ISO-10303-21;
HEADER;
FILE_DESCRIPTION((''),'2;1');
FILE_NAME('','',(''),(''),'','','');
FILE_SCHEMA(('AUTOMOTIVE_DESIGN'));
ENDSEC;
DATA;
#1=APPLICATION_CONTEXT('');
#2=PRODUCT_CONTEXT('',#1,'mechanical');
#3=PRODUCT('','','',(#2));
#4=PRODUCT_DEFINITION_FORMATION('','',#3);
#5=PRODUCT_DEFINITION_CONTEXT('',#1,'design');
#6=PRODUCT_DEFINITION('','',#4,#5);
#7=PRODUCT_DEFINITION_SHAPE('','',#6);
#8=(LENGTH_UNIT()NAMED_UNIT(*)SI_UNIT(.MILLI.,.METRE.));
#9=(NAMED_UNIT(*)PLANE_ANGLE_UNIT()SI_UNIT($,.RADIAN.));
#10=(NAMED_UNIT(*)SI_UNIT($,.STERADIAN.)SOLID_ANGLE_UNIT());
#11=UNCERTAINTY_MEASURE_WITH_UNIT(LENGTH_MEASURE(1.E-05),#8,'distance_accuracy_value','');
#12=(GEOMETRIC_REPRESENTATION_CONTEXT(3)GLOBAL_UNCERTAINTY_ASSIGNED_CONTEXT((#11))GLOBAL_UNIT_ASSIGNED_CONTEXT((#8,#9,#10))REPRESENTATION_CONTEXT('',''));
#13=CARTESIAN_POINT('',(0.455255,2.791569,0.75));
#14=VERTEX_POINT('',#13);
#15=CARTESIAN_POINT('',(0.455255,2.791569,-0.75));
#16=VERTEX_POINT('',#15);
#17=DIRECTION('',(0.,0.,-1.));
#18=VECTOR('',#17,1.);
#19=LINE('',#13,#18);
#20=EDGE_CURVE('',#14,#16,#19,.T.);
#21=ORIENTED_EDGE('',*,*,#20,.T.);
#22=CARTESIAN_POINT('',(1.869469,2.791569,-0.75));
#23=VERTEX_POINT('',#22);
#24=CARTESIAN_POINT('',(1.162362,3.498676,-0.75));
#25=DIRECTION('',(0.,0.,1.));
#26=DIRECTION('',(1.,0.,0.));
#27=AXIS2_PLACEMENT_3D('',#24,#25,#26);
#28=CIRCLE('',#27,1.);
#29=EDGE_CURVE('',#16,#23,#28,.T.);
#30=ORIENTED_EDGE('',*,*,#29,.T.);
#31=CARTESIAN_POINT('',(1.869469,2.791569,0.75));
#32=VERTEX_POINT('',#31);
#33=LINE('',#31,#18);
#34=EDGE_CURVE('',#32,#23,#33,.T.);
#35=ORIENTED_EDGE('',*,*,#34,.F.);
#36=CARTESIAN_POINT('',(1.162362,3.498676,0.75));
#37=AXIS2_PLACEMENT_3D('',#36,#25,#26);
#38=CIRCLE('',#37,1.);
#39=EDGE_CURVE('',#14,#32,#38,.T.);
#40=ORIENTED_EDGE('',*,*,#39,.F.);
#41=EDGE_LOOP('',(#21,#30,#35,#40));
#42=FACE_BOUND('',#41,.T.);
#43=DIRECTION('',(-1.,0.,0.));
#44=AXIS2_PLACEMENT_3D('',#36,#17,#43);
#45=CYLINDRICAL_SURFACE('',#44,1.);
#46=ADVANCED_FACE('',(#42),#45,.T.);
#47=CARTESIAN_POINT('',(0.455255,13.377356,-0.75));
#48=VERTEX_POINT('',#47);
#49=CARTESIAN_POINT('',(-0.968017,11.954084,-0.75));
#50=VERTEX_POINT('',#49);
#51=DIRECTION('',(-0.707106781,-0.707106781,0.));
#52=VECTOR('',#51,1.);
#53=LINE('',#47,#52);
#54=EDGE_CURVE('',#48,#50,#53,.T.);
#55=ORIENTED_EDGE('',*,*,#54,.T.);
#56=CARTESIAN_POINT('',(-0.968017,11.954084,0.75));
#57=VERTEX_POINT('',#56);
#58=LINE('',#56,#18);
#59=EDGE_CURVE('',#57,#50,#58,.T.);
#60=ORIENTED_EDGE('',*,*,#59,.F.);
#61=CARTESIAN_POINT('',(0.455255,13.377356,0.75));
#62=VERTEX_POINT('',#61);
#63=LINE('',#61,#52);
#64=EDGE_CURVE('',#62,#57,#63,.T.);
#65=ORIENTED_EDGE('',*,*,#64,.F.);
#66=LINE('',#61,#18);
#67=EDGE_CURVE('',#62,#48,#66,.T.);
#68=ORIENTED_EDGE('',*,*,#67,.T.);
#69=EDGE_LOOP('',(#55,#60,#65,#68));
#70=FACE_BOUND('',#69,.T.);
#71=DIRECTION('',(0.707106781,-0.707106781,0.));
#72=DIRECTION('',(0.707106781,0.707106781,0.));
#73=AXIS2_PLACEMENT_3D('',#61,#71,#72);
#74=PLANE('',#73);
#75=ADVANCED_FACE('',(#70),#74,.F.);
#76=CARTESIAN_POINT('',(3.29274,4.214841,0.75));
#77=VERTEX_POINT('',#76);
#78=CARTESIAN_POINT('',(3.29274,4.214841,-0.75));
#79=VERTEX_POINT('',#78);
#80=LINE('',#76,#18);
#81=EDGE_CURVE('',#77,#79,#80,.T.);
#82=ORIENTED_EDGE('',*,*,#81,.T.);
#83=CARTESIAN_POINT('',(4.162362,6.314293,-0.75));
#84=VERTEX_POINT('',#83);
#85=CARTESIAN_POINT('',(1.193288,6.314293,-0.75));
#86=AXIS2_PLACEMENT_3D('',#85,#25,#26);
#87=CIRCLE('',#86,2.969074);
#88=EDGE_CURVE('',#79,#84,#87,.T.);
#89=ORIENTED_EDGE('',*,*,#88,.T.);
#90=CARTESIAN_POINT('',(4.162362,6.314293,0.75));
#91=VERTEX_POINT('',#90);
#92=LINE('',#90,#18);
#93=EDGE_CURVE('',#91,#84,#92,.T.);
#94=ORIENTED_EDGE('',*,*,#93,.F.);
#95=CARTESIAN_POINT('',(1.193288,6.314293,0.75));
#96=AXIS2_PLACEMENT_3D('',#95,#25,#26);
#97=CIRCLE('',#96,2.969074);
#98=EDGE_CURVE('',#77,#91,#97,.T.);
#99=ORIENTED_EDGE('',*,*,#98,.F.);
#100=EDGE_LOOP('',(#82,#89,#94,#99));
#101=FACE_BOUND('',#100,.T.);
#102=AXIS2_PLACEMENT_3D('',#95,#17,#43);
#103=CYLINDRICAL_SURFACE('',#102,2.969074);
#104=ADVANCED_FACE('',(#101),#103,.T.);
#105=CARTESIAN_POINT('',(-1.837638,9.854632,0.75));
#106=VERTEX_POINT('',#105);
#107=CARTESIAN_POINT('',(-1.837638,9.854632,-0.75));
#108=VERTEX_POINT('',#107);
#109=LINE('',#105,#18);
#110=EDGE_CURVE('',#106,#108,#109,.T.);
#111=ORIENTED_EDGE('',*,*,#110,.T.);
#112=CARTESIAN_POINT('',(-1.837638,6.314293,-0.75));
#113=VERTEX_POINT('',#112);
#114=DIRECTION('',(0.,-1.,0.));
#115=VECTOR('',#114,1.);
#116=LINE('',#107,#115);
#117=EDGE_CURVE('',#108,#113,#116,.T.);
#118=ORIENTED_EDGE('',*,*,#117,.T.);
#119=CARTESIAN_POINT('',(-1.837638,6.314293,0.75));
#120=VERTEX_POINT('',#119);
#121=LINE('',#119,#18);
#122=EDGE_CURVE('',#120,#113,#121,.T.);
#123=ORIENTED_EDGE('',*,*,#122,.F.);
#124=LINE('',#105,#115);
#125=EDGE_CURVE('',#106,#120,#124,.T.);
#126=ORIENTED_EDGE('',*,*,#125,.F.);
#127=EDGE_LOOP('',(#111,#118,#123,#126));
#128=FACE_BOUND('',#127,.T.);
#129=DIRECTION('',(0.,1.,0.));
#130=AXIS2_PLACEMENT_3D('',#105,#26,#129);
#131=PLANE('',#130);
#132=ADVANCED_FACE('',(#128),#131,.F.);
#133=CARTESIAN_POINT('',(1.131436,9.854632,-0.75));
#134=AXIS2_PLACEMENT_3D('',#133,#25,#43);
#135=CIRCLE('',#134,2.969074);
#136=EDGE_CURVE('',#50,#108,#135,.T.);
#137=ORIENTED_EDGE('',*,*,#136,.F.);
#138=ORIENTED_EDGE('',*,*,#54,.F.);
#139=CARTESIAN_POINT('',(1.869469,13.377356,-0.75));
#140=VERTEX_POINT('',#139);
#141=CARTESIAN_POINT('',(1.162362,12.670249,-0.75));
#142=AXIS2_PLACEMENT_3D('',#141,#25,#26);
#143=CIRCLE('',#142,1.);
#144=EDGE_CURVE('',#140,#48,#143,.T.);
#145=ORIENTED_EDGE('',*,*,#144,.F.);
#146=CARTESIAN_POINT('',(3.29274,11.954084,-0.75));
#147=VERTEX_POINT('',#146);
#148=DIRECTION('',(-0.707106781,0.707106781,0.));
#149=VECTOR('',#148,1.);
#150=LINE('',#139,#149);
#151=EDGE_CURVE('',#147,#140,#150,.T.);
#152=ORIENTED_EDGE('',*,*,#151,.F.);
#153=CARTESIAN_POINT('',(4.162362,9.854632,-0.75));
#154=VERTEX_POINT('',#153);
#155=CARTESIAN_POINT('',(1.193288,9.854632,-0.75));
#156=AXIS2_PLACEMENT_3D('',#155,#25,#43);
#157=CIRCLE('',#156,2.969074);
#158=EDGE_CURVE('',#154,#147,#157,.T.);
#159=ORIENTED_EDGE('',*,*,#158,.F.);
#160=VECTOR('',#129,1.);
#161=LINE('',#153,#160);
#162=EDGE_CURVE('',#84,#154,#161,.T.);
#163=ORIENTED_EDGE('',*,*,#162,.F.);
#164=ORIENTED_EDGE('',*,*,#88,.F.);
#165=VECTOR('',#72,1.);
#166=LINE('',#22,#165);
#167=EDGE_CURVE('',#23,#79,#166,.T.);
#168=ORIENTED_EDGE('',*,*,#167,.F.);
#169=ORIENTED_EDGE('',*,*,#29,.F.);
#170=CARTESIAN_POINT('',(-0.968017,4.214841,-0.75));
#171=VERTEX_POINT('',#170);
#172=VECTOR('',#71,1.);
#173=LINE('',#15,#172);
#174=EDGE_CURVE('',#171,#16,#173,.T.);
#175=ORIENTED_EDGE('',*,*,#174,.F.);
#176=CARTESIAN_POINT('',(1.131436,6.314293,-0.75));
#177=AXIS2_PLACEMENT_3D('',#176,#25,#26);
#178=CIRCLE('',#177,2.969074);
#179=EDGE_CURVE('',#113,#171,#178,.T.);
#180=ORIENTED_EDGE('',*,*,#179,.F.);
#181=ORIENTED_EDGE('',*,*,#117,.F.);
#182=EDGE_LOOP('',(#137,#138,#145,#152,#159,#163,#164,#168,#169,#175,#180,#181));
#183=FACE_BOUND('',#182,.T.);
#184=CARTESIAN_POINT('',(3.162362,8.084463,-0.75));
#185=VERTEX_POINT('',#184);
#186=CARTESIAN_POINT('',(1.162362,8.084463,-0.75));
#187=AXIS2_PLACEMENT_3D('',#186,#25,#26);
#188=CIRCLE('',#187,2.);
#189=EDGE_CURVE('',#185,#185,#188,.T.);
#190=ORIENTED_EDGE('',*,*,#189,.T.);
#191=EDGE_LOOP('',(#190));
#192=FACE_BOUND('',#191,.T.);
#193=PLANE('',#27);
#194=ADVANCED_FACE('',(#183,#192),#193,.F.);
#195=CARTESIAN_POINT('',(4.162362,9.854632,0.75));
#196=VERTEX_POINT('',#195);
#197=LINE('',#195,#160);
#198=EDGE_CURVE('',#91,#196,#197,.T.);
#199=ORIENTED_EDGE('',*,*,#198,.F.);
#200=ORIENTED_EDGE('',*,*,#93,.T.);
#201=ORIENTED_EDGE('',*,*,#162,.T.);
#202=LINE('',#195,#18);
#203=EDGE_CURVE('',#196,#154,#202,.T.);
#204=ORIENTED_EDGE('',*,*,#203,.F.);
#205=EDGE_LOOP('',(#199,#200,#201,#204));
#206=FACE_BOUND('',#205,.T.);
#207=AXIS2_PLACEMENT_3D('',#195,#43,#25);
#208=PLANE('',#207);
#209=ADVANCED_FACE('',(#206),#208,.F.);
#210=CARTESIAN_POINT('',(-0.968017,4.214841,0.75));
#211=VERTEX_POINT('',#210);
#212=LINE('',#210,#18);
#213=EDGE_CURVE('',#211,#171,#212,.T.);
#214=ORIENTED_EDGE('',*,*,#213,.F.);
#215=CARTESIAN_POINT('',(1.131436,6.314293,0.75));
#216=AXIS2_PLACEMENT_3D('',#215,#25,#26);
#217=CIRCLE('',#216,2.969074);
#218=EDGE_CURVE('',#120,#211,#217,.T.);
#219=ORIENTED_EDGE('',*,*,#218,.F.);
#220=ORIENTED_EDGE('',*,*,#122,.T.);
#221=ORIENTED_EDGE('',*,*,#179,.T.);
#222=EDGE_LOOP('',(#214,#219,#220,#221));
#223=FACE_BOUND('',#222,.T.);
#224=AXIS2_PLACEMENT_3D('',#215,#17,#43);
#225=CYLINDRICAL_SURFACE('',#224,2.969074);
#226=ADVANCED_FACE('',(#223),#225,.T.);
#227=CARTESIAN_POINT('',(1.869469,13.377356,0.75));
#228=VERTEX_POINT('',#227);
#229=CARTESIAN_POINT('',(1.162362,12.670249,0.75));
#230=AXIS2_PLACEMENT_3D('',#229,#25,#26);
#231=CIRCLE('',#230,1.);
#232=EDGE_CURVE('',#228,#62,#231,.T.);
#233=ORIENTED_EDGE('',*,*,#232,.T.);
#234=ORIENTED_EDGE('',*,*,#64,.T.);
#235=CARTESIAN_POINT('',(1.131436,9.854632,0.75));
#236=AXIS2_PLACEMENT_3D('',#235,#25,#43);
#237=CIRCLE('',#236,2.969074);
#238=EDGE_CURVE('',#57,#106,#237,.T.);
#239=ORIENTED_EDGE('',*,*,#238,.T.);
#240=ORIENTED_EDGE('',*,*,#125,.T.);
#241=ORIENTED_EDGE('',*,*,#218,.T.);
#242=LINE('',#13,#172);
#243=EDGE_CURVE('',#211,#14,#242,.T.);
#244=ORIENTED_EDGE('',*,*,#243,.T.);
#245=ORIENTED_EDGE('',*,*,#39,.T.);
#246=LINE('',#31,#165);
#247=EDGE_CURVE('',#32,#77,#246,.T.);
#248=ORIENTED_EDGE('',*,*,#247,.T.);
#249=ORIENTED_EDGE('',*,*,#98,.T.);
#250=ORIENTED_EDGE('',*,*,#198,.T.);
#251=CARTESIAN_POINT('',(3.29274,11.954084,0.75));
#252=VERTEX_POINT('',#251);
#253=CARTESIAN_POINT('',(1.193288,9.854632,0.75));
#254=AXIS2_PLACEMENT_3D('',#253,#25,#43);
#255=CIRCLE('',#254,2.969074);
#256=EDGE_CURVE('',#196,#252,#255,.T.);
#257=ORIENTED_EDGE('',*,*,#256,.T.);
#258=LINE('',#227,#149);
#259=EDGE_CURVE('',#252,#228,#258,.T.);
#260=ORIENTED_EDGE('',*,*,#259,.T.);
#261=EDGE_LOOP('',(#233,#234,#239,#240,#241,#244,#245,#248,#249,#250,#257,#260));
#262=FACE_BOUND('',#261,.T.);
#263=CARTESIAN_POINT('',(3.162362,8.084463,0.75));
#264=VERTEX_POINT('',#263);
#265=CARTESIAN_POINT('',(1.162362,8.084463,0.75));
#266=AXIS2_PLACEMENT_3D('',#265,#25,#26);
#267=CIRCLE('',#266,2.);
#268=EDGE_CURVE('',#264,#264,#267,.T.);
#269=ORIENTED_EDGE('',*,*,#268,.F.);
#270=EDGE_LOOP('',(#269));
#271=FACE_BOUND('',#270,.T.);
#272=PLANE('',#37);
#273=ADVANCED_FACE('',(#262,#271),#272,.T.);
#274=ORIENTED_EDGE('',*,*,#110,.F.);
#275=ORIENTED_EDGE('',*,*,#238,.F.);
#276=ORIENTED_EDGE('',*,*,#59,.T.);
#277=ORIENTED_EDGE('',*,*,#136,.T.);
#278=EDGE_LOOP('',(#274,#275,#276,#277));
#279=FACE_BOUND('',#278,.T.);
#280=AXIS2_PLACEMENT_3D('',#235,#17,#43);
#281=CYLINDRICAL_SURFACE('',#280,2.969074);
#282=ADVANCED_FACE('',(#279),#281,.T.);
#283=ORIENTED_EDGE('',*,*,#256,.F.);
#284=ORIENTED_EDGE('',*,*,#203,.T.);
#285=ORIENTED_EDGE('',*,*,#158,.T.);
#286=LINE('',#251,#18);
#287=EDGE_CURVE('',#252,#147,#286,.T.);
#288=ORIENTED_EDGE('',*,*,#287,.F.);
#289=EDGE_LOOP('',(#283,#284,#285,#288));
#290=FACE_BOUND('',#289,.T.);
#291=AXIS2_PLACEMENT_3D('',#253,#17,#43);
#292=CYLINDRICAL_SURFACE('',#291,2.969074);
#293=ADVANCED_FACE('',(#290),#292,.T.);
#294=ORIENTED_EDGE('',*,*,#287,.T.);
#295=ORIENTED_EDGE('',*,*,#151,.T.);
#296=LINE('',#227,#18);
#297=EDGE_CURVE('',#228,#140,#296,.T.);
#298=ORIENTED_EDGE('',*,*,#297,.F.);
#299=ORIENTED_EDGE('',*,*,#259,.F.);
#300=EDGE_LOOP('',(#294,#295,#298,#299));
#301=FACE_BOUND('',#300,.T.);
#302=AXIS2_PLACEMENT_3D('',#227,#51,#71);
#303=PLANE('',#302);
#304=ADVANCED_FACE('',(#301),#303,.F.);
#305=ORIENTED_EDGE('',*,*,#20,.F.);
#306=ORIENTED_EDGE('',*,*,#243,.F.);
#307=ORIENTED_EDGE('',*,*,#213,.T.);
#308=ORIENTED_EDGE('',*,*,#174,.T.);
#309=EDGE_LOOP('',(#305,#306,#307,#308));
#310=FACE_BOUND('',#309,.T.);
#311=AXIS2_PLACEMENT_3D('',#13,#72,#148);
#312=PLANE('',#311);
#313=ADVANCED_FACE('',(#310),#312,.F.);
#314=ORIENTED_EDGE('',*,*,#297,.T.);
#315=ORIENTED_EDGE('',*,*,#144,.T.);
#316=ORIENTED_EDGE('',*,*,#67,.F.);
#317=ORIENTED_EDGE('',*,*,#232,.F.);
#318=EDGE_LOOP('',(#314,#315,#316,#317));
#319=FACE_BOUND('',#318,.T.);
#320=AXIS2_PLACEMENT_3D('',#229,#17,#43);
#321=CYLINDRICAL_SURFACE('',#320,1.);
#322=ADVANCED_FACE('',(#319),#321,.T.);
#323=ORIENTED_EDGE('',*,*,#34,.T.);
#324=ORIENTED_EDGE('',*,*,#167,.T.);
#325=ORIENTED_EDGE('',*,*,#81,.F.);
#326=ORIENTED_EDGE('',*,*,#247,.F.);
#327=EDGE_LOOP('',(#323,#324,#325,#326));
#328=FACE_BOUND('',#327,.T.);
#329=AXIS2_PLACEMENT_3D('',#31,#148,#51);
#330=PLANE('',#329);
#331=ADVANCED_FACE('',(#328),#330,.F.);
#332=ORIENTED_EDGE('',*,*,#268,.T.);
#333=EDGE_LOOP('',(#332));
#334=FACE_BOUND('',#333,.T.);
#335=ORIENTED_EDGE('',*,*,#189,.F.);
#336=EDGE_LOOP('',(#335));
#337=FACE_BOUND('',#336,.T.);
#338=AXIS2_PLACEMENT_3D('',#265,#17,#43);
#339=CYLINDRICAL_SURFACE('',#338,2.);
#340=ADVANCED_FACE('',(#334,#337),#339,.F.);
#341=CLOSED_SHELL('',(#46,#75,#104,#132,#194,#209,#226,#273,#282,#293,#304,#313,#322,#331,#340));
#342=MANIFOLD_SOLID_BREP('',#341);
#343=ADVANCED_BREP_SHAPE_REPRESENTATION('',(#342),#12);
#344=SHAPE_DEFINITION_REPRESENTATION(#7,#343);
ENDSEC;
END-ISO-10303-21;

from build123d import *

# Parameters (mm, degrees)
SKETCH_1_R      = 2
EXTRUDE_1_DEPTH = 0.75


with BuildPart() as part:
    # Эскиз1 → Бобышка-Вытянуть1 (new, symmetric)
    with BuildSketch(Plane.XY):
        with BuildLine():
            Line((-1.837638241, 9.854632004), (-1.837638241, 6.314293406))
            ThreePointArc((-1.837638241, 6.314293406), (-1.611630943, 5.178077993), (-0.968016612, 4.214841076))
            Line((-0.968016612, 4.214841076), (0.455254978, 2.791569486))
            ThreePointArc((0.455254978, 2.791569486), (1.162361759, 2.498676267), (1.869468541, 2.791569486))
            Line((1.869468541, 2.791569486), (3.292740131, 4.214841076))
            ThreePointArc((3.292740131, 4.214841076), (3.936354462, 5.178077993), (4.162361759, 6.314293406))
            Line((4.162361759, 6.314293406), (4.162361759, 9.854632004))
            ThreePointArc((4.162361759, 9.854632004), (3.936354462, 10.990847417), (3.292740131, 11.954084334))
            Line((3.292740131, 11.954084334), (1.869468541, 13.377355924))
            ThreePointArc((1.869468541, 13.377355924), (1.162361759, 13.670249143), (0.455254978, 13.377355924))
            Line((0.455254978, 13.377355924), (-0.968016612, 11.954084334))
            ThreePointArc((-0.968016612, 11.954084334), (-1.611630943, 10.990847417), (-1.837638241, 9.854632004))
        make_face()
        with Locations((1.162361759, 8.084462705)):
            Circle(SKETCH_1_R, mode=Mode.SUBTRACT)
    extrude(amount=EXTRUDE_1_DEPTH, both=True)


solid = part.part
